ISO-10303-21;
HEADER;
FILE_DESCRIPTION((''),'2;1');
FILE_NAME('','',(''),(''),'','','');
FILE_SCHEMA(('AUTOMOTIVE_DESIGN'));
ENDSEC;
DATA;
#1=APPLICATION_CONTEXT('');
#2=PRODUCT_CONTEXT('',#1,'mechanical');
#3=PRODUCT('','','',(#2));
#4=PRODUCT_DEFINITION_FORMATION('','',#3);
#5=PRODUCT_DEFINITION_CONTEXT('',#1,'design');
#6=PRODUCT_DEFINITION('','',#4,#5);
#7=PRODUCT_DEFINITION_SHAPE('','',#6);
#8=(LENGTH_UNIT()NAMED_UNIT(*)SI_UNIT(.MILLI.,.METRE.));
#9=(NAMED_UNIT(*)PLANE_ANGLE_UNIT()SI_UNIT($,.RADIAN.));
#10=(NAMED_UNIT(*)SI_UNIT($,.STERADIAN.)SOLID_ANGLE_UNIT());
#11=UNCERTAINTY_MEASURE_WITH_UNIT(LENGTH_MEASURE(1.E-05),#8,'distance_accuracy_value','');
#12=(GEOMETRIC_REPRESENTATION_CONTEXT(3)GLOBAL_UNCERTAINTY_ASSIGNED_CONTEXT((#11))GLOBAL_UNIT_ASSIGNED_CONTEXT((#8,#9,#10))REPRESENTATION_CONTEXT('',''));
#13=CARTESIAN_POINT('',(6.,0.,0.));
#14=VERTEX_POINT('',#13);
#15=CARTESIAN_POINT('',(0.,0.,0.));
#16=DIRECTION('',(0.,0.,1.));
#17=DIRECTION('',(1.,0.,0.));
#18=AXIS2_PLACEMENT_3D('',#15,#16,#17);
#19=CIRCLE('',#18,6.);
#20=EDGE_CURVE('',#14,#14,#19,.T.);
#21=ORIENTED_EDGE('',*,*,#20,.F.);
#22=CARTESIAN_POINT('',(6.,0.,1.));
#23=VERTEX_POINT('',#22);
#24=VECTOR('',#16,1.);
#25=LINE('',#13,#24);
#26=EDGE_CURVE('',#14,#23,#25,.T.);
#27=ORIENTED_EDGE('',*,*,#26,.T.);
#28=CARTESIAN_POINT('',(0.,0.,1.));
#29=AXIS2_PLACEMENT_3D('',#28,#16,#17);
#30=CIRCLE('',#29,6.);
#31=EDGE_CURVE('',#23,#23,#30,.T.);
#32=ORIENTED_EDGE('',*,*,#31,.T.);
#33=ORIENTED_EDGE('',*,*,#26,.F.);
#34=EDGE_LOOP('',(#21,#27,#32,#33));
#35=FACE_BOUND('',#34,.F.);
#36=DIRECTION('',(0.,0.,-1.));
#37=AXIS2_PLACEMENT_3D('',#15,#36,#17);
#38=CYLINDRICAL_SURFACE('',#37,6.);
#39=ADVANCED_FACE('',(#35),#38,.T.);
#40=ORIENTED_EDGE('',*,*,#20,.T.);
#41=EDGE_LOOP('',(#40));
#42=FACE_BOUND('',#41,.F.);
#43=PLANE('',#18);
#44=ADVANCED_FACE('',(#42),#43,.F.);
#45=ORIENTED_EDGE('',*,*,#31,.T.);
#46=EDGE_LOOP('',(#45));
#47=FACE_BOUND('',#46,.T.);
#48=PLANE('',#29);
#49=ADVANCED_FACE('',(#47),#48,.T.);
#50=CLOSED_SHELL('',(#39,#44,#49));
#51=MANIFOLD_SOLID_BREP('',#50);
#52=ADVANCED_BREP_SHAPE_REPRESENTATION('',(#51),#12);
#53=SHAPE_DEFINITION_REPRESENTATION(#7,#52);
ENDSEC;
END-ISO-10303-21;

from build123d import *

# Parameters (mm, degrees)
SKETCH1_R           = 6
BOSS_EXTRUDE1_DEPTH = 1


with BuildPart() as part:
    # Sketch1 → Boss-Extrude1 (new body)
    with BuildSketch(Plane.XY):
        Circle(SKETCH1_R)
    extrude(amount=BOSS_EXTRUDE1_DEPTH)


solid = part.part
